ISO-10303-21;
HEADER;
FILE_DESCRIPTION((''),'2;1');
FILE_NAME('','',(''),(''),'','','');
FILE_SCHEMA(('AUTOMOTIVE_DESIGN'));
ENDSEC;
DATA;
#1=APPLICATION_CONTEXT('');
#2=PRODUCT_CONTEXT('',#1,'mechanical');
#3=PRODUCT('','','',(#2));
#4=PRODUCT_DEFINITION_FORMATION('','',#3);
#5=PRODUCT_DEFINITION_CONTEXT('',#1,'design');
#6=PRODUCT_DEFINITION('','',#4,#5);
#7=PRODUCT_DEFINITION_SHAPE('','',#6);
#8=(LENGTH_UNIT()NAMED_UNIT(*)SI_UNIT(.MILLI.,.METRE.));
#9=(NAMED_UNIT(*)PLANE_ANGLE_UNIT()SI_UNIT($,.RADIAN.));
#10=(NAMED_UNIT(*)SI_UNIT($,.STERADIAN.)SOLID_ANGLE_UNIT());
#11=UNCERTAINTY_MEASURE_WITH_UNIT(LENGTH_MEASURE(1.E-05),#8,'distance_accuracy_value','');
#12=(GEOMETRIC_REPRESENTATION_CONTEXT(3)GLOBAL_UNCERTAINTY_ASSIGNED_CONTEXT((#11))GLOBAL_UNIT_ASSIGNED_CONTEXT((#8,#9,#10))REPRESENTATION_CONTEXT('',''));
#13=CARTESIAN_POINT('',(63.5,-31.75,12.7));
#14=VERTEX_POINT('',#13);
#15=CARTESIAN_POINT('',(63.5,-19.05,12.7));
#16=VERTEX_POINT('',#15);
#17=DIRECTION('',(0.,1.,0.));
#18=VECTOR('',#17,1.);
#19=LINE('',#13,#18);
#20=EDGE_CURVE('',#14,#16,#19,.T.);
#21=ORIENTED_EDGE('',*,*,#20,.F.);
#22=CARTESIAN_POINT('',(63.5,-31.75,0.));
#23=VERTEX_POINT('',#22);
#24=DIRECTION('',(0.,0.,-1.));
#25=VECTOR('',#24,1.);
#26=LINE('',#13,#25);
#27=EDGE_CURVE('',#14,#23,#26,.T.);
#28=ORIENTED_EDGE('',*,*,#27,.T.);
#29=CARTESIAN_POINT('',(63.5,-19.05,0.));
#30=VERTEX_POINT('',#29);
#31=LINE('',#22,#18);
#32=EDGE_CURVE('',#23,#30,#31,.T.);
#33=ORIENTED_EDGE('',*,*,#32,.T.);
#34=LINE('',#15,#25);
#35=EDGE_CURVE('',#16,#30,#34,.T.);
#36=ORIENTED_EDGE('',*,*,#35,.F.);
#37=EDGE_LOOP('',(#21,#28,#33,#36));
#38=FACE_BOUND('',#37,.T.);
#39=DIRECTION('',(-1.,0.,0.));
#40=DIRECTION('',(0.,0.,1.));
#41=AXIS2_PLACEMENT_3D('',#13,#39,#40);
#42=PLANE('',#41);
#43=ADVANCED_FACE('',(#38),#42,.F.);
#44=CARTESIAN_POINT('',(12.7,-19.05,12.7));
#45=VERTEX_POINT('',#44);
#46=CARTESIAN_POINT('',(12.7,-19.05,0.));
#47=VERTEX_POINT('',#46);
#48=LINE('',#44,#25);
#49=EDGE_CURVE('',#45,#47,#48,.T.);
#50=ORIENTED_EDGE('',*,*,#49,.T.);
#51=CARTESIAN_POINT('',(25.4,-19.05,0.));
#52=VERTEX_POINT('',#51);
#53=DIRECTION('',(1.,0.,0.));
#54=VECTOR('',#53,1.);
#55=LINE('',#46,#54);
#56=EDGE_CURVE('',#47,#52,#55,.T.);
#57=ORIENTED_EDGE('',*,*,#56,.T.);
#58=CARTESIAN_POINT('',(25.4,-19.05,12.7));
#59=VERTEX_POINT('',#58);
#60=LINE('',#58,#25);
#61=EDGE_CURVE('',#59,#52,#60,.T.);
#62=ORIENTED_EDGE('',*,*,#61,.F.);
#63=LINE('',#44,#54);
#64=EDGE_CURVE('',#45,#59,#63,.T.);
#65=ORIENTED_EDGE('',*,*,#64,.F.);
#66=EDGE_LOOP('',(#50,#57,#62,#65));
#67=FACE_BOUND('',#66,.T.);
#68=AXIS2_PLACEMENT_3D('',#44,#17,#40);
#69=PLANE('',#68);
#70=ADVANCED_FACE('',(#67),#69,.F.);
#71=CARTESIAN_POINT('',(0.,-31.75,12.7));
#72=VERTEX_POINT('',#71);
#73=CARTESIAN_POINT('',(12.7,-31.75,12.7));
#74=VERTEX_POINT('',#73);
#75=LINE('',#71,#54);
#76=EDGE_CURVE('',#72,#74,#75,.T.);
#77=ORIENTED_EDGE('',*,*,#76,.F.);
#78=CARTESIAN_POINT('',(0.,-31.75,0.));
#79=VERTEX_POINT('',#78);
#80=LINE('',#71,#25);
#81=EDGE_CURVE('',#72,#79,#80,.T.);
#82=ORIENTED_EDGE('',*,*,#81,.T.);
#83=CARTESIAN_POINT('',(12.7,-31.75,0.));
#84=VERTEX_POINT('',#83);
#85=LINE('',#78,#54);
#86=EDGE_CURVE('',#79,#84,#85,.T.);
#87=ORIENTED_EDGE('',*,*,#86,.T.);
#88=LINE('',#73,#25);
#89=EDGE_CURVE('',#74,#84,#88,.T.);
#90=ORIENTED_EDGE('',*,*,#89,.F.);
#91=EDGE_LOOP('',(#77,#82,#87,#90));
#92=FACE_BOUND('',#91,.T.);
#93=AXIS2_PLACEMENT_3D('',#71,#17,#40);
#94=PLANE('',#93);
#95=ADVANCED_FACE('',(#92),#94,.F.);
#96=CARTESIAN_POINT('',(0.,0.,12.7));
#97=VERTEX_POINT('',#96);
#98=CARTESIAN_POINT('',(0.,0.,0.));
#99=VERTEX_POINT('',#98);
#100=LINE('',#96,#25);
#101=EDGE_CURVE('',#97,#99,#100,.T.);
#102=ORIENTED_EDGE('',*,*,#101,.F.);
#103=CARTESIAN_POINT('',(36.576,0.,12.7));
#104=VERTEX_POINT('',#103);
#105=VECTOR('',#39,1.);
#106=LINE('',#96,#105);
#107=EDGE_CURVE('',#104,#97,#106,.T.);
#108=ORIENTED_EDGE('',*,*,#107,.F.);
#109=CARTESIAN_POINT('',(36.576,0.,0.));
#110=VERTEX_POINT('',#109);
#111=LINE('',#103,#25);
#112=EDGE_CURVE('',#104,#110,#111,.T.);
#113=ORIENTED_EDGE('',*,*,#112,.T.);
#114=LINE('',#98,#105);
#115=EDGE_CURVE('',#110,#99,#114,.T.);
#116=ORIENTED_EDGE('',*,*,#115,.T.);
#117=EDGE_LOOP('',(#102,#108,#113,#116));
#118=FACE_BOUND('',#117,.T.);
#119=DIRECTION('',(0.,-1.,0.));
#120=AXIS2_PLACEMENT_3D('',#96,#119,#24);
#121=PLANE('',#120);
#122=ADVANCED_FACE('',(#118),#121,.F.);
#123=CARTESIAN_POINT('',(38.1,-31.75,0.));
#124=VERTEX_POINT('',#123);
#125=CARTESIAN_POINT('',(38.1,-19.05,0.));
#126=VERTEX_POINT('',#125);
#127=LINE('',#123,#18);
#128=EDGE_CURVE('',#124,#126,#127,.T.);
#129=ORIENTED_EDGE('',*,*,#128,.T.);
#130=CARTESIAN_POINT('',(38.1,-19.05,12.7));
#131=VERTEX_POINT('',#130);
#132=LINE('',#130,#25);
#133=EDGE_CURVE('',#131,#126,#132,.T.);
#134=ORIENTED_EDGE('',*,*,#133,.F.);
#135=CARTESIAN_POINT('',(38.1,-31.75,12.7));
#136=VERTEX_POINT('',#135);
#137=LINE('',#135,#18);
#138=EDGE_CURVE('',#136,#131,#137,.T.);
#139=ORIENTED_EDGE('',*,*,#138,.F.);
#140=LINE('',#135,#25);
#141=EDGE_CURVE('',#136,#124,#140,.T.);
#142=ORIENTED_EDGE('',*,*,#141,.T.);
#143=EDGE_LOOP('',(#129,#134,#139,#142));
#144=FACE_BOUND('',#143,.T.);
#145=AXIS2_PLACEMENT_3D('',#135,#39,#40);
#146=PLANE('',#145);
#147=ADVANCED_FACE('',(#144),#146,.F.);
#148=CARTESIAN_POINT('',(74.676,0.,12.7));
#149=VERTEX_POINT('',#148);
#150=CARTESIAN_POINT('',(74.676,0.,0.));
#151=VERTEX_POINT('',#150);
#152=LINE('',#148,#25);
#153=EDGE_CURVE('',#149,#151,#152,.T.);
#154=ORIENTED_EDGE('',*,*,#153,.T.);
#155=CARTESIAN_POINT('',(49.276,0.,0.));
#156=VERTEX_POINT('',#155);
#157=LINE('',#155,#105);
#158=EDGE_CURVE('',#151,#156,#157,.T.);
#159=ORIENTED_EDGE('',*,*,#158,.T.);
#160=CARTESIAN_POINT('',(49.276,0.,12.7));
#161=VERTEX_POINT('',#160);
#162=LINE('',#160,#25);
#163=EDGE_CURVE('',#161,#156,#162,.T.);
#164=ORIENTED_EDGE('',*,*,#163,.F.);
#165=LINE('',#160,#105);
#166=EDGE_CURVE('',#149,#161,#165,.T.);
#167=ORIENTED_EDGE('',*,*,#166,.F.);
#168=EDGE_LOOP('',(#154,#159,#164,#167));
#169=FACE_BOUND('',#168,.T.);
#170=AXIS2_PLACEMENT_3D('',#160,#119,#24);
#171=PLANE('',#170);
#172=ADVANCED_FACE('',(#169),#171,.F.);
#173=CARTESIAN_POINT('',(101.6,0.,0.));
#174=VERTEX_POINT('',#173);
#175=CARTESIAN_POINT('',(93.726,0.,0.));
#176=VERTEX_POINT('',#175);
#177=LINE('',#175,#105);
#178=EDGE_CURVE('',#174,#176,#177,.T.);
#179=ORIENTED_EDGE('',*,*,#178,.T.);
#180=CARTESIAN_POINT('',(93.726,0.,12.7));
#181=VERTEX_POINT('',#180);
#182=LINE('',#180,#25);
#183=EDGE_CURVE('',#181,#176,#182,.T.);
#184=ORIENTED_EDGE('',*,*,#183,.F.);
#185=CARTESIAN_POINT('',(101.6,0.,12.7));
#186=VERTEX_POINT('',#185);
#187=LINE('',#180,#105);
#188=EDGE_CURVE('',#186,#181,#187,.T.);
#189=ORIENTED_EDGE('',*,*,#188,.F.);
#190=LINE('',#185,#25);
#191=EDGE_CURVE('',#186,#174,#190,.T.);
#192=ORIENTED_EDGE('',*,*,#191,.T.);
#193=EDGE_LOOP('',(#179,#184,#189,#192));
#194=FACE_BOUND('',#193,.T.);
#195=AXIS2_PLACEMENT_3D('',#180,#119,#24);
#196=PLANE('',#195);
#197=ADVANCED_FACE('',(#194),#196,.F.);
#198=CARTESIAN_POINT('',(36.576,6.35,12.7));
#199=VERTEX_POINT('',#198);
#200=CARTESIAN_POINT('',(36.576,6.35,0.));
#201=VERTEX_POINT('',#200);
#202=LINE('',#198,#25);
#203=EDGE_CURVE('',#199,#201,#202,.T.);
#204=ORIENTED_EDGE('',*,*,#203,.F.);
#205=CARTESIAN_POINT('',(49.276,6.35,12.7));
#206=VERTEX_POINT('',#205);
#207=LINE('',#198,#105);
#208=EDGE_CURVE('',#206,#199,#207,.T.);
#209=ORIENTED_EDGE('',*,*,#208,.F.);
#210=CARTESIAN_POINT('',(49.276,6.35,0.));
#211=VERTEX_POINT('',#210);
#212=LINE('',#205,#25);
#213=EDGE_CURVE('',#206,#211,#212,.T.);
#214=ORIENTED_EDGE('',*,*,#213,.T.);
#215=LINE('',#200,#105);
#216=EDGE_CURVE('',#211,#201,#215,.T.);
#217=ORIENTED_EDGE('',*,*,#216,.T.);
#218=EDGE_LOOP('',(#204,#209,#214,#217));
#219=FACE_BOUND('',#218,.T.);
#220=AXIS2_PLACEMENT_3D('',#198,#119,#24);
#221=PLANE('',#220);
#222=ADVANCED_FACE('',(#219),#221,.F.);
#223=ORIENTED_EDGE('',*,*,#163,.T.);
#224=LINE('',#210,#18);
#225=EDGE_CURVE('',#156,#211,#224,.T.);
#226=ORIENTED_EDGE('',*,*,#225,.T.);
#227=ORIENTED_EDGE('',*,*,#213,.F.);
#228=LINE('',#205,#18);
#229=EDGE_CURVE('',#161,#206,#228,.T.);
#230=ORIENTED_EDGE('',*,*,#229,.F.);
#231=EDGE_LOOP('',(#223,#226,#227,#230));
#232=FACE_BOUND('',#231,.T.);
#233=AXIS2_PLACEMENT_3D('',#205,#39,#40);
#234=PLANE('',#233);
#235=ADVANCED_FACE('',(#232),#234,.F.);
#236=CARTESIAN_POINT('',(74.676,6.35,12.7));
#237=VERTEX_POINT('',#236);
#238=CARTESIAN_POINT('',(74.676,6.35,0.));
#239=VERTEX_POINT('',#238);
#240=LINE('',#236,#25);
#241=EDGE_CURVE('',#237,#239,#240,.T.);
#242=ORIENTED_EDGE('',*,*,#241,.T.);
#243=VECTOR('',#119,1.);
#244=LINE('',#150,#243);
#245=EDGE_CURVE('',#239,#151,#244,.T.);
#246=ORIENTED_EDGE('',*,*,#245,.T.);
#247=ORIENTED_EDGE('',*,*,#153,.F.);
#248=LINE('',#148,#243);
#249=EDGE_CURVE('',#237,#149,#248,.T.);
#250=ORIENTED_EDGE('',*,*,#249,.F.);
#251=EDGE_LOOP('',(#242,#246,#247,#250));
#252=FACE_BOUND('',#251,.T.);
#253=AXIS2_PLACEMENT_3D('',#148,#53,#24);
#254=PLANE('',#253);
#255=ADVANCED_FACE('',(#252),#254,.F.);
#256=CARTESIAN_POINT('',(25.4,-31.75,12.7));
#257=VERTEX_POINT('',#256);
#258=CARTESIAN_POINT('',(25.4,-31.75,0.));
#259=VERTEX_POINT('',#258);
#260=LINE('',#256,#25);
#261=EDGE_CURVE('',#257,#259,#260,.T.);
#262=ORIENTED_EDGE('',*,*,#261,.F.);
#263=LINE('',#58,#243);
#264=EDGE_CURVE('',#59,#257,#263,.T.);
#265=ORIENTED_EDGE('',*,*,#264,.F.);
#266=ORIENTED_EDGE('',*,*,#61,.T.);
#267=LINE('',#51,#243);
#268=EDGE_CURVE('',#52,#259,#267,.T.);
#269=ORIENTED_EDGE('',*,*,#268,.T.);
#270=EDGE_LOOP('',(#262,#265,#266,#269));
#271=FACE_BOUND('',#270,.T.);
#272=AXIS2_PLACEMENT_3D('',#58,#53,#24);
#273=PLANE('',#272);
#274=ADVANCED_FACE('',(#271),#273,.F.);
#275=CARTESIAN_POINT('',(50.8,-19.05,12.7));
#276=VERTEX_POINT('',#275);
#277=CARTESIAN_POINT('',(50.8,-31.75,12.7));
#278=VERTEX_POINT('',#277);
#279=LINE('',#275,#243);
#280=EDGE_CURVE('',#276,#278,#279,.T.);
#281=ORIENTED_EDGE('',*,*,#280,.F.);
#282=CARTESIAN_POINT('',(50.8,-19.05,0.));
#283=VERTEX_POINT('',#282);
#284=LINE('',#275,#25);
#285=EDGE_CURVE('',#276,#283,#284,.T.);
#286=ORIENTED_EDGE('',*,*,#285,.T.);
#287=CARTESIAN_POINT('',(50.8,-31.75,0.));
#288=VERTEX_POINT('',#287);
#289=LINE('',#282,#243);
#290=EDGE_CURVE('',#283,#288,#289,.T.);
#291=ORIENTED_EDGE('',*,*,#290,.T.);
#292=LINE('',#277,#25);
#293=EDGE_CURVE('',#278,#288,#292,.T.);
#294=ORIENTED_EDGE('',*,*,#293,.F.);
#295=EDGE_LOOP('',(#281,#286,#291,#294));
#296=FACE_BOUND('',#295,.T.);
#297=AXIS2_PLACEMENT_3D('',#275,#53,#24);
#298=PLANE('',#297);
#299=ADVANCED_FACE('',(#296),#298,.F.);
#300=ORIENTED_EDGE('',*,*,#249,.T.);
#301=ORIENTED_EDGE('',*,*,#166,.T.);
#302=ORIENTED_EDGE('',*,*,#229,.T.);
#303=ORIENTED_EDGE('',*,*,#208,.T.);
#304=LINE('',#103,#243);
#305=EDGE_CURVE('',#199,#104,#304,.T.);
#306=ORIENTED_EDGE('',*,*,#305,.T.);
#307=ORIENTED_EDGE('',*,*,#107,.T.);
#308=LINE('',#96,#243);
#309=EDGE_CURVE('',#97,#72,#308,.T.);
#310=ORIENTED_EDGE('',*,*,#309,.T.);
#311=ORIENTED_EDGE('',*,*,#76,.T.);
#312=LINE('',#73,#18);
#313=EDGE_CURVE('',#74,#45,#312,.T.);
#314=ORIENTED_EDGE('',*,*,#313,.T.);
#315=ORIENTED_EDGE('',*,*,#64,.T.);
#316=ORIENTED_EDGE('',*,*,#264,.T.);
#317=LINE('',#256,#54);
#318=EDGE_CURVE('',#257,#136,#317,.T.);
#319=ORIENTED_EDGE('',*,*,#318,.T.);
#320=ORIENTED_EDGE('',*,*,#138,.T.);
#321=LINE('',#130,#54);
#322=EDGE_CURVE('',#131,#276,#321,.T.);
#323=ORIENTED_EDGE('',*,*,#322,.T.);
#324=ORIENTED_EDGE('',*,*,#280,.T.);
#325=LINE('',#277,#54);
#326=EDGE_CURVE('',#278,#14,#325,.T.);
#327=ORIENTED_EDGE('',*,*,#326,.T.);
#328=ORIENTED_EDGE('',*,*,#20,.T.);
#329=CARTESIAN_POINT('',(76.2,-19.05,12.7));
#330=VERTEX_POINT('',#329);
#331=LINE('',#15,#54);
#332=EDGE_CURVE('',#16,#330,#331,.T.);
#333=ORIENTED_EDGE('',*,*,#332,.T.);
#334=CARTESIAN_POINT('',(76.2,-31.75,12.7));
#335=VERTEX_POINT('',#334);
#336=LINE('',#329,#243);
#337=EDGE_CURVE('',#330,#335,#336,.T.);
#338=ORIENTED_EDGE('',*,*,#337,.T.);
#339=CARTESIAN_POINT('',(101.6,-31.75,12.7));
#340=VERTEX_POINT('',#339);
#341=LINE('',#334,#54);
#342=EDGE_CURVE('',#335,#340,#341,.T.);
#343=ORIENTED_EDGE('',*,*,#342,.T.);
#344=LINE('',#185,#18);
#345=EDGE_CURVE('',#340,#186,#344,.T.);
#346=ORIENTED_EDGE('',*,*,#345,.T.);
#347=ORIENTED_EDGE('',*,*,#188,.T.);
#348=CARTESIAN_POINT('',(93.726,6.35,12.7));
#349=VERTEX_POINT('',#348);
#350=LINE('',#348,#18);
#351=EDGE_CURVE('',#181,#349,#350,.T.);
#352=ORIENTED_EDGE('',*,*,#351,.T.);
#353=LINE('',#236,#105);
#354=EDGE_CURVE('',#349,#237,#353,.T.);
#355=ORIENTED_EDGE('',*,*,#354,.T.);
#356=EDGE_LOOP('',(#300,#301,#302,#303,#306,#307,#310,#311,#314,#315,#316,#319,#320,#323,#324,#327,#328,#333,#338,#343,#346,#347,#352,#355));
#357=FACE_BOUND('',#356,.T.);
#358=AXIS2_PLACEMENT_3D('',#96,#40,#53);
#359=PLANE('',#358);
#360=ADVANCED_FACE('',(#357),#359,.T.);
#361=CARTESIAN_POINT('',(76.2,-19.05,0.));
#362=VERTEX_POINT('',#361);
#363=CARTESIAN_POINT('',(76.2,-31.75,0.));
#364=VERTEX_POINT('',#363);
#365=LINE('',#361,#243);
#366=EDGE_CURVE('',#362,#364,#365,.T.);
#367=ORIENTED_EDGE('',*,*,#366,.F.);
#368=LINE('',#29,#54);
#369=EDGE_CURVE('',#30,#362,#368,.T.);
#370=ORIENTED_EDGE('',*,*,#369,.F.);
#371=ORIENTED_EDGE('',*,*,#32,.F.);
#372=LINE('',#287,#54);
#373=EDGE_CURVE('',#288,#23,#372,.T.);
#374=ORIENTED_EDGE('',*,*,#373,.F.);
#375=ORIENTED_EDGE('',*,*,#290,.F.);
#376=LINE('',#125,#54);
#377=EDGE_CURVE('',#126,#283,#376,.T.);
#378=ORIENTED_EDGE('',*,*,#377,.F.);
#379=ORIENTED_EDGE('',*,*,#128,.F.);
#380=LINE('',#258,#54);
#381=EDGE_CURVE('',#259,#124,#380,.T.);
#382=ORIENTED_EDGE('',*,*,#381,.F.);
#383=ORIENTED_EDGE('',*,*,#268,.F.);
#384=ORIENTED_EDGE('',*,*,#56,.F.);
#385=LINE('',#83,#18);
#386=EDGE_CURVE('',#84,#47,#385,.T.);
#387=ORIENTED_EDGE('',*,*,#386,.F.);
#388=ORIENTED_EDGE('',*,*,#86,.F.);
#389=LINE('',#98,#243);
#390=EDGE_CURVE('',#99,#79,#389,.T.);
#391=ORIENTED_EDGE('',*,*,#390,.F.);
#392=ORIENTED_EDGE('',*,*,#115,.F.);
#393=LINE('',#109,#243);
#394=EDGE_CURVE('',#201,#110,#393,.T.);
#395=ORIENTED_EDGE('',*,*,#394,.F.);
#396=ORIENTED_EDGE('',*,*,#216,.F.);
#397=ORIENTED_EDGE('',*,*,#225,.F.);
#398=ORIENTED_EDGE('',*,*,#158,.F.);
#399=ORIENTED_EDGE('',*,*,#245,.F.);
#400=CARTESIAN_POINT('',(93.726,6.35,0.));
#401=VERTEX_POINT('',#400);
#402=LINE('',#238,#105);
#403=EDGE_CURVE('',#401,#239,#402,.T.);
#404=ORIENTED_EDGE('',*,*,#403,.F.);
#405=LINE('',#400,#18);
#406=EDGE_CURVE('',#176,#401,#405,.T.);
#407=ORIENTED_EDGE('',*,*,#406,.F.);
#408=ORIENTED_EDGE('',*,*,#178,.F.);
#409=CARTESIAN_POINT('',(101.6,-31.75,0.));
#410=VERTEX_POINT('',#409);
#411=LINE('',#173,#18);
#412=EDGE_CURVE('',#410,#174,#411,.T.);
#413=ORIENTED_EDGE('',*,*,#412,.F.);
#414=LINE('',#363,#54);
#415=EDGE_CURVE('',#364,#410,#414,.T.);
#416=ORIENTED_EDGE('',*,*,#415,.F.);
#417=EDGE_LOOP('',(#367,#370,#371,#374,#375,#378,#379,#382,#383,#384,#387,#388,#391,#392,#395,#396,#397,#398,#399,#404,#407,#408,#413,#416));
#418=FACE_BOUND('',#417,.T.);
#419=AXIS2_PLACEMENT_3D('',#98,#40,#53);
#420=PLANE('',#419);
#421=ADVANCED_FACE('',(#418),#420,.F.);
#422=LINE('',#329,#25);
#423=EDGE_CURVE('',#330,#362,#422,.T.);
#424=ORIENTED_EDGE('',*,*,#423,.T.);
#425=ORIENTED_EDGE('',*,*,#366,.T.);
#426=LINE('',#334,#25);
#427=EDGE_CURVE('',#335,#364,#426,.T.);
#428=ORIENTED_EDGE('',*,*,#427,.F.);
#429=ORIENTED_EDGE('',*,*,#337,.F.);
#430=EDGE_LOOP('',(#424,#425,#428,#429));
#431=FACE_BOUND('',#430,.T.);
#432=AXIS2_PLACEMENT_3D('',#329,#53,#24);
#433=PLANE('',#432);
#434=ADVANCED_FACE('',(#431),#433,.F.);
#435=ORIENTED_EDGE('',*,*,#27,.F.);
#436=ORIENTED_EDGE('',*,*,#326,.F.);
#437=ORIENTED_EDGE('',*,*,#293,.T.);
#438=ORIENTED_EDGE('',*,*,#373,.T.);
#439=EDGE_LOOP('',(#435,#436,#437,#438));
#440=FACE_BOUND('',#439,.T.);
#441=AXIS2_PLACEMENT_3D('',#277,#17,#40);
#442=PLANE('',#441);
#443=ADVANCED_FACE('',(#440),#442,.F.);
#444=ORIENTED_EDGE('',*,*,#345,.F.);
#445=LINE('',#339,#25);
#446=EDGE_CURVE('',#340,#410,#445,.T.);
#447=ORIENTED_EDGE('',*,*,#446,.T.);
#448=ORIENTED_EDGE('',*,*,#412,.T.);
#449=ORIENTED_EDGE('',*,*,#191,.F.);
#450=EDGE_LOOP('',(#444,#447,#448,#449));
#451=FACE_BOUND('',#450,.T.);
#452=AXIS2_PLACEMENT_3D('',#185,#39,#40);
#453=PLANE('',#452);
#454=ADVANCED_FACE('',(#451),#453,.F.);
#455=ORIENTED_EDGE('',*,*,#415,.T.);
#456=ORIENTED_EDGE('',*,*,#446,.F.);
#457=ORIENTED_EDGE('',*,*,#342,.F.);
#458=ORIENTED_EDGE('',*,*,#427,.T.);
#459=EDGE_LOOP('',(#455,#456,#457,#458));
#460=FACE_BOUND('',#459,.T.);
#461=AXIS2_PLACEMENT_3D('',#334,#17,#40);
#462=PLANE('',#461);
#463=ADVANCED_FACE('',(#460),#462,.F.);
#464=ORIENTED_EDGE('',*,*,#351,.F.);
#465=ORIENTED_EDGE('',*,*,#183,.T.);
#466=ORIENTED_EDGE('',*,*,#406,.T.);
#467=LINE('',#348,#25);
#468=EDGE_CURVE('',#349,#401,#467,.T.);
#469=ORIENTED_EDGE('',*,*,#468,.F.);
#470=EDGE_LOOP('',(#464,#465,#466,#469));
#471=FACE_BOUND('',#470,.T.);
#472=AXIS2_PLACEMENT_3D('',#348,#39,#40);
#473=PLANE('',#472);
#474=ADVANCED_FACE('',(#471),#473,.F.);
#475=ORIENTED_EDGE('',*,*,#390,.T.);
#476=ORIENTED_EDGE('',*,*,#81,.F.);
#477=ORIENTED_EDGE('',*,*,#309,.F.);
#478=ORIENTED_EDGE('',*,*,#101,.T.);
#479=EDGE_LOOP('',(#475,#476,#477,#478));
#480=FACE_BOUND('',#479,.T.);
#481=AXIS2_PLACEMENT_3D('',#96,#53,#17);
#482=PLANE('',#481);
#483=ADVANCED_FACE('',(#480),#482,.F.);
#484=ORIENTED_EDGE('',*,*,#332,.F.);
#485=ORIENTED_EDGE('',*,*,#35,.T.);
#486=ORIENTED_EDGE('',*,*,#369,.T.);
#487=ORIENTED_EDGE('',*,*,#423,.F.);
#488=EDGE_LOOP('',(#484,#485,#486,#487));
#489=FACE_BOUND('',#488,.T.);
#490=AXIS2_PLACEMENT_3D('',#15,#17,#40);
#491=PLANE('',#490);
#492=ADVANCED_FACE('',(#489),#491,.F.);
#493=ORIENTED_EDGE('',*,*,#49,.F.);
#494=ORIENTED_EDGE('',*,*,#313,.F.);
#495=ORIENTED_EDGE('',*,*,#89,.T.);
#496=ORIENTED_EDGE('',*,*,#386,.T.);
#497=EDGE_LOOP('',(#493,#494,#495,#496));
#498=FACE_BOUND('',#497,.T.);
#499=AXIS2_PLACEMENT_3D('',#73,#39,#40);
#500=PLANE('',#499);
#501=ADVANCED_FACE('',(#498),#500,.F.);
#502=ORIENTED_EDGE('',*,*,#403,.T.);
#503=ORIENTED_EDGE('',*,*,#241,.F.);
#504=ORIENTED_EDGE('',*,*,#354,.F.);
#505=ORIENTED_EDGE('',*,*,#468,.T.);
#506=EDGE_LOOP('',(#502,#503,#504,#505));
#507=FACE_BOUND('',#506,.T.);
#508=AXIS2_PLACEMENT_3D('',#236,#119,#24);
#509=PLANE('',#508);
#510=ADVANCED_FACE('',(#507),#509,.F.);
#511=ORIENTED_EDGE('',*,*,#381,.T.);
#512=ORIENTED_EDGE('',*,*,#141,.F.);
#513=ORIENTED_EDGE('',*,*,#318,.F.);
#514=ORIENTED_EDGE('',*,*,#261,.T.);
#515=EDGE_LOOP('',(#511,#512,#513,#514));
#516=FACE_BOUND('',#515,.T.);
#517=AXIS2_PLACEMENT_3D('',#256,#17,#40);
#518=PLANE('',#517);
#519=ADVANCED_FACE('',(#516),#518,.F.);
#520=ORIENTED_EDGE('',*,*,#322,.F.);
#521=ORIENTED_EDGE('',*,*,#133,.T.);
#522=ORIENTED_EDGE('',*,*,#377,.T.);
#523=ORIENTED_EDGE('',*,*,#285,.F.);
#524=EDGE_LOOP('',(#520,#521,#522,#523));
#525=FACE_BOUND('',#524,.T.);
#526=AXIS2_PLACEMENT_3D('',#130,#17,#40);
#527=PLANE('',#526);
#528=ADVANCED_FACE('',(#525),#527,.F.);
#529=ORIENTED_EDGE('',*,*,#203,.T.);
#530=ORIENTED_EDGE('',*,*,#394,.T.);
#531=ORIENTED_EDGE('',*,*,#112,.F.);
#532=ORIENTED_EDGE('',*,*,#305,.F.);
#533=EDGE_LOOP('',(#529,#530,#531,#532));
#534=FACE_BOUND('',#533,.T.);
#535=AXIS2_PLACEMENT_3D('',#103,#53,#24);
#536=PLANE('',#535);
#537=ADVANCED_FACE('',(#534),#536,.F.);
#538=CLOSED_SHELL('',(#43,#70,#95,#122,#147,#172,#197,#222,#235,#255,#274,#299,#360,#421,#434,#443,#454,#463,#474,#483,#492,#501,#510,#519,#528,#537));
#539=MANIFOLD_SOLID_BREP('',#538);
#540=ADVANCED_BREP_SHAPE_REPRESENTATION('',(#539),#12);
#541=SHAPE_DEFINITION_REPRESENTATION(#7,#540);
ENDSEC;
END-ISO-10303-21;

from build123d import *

# Parameters (mm, degrees)
BOSS_EXTRUDE1_DEPTH = 12.7


with BuildPart() as part:
    # Sketch1 → Boss-Extrude1 (new body)
    with BuildSketch(Plane.XY):
        Polygon((0, 0), (36.576, 0), (36.576, 6.35), (49.276, 6.35), (49.276, 0), (74.676, 0), (74.676, 6.35), (93.726, 6.35), (93.726, 0), (101.6, 0), (101.6, -31.75), (76.2, -31.75), (76.2, -19.05), (63.5, -19.05), (63.5, -31.75), (50.8, -31.75), (50.8, -19.05), (38.1, -19.05), (38.1, -31.75), (25.4, -31.75), (25.4, -19.05), (12.7, -19.05), (12.7, -31.75), (0, -31.75), align=None)
    extrude(amount=BOSS_EXTRUDE1_DEPTH)


solid = part.part
